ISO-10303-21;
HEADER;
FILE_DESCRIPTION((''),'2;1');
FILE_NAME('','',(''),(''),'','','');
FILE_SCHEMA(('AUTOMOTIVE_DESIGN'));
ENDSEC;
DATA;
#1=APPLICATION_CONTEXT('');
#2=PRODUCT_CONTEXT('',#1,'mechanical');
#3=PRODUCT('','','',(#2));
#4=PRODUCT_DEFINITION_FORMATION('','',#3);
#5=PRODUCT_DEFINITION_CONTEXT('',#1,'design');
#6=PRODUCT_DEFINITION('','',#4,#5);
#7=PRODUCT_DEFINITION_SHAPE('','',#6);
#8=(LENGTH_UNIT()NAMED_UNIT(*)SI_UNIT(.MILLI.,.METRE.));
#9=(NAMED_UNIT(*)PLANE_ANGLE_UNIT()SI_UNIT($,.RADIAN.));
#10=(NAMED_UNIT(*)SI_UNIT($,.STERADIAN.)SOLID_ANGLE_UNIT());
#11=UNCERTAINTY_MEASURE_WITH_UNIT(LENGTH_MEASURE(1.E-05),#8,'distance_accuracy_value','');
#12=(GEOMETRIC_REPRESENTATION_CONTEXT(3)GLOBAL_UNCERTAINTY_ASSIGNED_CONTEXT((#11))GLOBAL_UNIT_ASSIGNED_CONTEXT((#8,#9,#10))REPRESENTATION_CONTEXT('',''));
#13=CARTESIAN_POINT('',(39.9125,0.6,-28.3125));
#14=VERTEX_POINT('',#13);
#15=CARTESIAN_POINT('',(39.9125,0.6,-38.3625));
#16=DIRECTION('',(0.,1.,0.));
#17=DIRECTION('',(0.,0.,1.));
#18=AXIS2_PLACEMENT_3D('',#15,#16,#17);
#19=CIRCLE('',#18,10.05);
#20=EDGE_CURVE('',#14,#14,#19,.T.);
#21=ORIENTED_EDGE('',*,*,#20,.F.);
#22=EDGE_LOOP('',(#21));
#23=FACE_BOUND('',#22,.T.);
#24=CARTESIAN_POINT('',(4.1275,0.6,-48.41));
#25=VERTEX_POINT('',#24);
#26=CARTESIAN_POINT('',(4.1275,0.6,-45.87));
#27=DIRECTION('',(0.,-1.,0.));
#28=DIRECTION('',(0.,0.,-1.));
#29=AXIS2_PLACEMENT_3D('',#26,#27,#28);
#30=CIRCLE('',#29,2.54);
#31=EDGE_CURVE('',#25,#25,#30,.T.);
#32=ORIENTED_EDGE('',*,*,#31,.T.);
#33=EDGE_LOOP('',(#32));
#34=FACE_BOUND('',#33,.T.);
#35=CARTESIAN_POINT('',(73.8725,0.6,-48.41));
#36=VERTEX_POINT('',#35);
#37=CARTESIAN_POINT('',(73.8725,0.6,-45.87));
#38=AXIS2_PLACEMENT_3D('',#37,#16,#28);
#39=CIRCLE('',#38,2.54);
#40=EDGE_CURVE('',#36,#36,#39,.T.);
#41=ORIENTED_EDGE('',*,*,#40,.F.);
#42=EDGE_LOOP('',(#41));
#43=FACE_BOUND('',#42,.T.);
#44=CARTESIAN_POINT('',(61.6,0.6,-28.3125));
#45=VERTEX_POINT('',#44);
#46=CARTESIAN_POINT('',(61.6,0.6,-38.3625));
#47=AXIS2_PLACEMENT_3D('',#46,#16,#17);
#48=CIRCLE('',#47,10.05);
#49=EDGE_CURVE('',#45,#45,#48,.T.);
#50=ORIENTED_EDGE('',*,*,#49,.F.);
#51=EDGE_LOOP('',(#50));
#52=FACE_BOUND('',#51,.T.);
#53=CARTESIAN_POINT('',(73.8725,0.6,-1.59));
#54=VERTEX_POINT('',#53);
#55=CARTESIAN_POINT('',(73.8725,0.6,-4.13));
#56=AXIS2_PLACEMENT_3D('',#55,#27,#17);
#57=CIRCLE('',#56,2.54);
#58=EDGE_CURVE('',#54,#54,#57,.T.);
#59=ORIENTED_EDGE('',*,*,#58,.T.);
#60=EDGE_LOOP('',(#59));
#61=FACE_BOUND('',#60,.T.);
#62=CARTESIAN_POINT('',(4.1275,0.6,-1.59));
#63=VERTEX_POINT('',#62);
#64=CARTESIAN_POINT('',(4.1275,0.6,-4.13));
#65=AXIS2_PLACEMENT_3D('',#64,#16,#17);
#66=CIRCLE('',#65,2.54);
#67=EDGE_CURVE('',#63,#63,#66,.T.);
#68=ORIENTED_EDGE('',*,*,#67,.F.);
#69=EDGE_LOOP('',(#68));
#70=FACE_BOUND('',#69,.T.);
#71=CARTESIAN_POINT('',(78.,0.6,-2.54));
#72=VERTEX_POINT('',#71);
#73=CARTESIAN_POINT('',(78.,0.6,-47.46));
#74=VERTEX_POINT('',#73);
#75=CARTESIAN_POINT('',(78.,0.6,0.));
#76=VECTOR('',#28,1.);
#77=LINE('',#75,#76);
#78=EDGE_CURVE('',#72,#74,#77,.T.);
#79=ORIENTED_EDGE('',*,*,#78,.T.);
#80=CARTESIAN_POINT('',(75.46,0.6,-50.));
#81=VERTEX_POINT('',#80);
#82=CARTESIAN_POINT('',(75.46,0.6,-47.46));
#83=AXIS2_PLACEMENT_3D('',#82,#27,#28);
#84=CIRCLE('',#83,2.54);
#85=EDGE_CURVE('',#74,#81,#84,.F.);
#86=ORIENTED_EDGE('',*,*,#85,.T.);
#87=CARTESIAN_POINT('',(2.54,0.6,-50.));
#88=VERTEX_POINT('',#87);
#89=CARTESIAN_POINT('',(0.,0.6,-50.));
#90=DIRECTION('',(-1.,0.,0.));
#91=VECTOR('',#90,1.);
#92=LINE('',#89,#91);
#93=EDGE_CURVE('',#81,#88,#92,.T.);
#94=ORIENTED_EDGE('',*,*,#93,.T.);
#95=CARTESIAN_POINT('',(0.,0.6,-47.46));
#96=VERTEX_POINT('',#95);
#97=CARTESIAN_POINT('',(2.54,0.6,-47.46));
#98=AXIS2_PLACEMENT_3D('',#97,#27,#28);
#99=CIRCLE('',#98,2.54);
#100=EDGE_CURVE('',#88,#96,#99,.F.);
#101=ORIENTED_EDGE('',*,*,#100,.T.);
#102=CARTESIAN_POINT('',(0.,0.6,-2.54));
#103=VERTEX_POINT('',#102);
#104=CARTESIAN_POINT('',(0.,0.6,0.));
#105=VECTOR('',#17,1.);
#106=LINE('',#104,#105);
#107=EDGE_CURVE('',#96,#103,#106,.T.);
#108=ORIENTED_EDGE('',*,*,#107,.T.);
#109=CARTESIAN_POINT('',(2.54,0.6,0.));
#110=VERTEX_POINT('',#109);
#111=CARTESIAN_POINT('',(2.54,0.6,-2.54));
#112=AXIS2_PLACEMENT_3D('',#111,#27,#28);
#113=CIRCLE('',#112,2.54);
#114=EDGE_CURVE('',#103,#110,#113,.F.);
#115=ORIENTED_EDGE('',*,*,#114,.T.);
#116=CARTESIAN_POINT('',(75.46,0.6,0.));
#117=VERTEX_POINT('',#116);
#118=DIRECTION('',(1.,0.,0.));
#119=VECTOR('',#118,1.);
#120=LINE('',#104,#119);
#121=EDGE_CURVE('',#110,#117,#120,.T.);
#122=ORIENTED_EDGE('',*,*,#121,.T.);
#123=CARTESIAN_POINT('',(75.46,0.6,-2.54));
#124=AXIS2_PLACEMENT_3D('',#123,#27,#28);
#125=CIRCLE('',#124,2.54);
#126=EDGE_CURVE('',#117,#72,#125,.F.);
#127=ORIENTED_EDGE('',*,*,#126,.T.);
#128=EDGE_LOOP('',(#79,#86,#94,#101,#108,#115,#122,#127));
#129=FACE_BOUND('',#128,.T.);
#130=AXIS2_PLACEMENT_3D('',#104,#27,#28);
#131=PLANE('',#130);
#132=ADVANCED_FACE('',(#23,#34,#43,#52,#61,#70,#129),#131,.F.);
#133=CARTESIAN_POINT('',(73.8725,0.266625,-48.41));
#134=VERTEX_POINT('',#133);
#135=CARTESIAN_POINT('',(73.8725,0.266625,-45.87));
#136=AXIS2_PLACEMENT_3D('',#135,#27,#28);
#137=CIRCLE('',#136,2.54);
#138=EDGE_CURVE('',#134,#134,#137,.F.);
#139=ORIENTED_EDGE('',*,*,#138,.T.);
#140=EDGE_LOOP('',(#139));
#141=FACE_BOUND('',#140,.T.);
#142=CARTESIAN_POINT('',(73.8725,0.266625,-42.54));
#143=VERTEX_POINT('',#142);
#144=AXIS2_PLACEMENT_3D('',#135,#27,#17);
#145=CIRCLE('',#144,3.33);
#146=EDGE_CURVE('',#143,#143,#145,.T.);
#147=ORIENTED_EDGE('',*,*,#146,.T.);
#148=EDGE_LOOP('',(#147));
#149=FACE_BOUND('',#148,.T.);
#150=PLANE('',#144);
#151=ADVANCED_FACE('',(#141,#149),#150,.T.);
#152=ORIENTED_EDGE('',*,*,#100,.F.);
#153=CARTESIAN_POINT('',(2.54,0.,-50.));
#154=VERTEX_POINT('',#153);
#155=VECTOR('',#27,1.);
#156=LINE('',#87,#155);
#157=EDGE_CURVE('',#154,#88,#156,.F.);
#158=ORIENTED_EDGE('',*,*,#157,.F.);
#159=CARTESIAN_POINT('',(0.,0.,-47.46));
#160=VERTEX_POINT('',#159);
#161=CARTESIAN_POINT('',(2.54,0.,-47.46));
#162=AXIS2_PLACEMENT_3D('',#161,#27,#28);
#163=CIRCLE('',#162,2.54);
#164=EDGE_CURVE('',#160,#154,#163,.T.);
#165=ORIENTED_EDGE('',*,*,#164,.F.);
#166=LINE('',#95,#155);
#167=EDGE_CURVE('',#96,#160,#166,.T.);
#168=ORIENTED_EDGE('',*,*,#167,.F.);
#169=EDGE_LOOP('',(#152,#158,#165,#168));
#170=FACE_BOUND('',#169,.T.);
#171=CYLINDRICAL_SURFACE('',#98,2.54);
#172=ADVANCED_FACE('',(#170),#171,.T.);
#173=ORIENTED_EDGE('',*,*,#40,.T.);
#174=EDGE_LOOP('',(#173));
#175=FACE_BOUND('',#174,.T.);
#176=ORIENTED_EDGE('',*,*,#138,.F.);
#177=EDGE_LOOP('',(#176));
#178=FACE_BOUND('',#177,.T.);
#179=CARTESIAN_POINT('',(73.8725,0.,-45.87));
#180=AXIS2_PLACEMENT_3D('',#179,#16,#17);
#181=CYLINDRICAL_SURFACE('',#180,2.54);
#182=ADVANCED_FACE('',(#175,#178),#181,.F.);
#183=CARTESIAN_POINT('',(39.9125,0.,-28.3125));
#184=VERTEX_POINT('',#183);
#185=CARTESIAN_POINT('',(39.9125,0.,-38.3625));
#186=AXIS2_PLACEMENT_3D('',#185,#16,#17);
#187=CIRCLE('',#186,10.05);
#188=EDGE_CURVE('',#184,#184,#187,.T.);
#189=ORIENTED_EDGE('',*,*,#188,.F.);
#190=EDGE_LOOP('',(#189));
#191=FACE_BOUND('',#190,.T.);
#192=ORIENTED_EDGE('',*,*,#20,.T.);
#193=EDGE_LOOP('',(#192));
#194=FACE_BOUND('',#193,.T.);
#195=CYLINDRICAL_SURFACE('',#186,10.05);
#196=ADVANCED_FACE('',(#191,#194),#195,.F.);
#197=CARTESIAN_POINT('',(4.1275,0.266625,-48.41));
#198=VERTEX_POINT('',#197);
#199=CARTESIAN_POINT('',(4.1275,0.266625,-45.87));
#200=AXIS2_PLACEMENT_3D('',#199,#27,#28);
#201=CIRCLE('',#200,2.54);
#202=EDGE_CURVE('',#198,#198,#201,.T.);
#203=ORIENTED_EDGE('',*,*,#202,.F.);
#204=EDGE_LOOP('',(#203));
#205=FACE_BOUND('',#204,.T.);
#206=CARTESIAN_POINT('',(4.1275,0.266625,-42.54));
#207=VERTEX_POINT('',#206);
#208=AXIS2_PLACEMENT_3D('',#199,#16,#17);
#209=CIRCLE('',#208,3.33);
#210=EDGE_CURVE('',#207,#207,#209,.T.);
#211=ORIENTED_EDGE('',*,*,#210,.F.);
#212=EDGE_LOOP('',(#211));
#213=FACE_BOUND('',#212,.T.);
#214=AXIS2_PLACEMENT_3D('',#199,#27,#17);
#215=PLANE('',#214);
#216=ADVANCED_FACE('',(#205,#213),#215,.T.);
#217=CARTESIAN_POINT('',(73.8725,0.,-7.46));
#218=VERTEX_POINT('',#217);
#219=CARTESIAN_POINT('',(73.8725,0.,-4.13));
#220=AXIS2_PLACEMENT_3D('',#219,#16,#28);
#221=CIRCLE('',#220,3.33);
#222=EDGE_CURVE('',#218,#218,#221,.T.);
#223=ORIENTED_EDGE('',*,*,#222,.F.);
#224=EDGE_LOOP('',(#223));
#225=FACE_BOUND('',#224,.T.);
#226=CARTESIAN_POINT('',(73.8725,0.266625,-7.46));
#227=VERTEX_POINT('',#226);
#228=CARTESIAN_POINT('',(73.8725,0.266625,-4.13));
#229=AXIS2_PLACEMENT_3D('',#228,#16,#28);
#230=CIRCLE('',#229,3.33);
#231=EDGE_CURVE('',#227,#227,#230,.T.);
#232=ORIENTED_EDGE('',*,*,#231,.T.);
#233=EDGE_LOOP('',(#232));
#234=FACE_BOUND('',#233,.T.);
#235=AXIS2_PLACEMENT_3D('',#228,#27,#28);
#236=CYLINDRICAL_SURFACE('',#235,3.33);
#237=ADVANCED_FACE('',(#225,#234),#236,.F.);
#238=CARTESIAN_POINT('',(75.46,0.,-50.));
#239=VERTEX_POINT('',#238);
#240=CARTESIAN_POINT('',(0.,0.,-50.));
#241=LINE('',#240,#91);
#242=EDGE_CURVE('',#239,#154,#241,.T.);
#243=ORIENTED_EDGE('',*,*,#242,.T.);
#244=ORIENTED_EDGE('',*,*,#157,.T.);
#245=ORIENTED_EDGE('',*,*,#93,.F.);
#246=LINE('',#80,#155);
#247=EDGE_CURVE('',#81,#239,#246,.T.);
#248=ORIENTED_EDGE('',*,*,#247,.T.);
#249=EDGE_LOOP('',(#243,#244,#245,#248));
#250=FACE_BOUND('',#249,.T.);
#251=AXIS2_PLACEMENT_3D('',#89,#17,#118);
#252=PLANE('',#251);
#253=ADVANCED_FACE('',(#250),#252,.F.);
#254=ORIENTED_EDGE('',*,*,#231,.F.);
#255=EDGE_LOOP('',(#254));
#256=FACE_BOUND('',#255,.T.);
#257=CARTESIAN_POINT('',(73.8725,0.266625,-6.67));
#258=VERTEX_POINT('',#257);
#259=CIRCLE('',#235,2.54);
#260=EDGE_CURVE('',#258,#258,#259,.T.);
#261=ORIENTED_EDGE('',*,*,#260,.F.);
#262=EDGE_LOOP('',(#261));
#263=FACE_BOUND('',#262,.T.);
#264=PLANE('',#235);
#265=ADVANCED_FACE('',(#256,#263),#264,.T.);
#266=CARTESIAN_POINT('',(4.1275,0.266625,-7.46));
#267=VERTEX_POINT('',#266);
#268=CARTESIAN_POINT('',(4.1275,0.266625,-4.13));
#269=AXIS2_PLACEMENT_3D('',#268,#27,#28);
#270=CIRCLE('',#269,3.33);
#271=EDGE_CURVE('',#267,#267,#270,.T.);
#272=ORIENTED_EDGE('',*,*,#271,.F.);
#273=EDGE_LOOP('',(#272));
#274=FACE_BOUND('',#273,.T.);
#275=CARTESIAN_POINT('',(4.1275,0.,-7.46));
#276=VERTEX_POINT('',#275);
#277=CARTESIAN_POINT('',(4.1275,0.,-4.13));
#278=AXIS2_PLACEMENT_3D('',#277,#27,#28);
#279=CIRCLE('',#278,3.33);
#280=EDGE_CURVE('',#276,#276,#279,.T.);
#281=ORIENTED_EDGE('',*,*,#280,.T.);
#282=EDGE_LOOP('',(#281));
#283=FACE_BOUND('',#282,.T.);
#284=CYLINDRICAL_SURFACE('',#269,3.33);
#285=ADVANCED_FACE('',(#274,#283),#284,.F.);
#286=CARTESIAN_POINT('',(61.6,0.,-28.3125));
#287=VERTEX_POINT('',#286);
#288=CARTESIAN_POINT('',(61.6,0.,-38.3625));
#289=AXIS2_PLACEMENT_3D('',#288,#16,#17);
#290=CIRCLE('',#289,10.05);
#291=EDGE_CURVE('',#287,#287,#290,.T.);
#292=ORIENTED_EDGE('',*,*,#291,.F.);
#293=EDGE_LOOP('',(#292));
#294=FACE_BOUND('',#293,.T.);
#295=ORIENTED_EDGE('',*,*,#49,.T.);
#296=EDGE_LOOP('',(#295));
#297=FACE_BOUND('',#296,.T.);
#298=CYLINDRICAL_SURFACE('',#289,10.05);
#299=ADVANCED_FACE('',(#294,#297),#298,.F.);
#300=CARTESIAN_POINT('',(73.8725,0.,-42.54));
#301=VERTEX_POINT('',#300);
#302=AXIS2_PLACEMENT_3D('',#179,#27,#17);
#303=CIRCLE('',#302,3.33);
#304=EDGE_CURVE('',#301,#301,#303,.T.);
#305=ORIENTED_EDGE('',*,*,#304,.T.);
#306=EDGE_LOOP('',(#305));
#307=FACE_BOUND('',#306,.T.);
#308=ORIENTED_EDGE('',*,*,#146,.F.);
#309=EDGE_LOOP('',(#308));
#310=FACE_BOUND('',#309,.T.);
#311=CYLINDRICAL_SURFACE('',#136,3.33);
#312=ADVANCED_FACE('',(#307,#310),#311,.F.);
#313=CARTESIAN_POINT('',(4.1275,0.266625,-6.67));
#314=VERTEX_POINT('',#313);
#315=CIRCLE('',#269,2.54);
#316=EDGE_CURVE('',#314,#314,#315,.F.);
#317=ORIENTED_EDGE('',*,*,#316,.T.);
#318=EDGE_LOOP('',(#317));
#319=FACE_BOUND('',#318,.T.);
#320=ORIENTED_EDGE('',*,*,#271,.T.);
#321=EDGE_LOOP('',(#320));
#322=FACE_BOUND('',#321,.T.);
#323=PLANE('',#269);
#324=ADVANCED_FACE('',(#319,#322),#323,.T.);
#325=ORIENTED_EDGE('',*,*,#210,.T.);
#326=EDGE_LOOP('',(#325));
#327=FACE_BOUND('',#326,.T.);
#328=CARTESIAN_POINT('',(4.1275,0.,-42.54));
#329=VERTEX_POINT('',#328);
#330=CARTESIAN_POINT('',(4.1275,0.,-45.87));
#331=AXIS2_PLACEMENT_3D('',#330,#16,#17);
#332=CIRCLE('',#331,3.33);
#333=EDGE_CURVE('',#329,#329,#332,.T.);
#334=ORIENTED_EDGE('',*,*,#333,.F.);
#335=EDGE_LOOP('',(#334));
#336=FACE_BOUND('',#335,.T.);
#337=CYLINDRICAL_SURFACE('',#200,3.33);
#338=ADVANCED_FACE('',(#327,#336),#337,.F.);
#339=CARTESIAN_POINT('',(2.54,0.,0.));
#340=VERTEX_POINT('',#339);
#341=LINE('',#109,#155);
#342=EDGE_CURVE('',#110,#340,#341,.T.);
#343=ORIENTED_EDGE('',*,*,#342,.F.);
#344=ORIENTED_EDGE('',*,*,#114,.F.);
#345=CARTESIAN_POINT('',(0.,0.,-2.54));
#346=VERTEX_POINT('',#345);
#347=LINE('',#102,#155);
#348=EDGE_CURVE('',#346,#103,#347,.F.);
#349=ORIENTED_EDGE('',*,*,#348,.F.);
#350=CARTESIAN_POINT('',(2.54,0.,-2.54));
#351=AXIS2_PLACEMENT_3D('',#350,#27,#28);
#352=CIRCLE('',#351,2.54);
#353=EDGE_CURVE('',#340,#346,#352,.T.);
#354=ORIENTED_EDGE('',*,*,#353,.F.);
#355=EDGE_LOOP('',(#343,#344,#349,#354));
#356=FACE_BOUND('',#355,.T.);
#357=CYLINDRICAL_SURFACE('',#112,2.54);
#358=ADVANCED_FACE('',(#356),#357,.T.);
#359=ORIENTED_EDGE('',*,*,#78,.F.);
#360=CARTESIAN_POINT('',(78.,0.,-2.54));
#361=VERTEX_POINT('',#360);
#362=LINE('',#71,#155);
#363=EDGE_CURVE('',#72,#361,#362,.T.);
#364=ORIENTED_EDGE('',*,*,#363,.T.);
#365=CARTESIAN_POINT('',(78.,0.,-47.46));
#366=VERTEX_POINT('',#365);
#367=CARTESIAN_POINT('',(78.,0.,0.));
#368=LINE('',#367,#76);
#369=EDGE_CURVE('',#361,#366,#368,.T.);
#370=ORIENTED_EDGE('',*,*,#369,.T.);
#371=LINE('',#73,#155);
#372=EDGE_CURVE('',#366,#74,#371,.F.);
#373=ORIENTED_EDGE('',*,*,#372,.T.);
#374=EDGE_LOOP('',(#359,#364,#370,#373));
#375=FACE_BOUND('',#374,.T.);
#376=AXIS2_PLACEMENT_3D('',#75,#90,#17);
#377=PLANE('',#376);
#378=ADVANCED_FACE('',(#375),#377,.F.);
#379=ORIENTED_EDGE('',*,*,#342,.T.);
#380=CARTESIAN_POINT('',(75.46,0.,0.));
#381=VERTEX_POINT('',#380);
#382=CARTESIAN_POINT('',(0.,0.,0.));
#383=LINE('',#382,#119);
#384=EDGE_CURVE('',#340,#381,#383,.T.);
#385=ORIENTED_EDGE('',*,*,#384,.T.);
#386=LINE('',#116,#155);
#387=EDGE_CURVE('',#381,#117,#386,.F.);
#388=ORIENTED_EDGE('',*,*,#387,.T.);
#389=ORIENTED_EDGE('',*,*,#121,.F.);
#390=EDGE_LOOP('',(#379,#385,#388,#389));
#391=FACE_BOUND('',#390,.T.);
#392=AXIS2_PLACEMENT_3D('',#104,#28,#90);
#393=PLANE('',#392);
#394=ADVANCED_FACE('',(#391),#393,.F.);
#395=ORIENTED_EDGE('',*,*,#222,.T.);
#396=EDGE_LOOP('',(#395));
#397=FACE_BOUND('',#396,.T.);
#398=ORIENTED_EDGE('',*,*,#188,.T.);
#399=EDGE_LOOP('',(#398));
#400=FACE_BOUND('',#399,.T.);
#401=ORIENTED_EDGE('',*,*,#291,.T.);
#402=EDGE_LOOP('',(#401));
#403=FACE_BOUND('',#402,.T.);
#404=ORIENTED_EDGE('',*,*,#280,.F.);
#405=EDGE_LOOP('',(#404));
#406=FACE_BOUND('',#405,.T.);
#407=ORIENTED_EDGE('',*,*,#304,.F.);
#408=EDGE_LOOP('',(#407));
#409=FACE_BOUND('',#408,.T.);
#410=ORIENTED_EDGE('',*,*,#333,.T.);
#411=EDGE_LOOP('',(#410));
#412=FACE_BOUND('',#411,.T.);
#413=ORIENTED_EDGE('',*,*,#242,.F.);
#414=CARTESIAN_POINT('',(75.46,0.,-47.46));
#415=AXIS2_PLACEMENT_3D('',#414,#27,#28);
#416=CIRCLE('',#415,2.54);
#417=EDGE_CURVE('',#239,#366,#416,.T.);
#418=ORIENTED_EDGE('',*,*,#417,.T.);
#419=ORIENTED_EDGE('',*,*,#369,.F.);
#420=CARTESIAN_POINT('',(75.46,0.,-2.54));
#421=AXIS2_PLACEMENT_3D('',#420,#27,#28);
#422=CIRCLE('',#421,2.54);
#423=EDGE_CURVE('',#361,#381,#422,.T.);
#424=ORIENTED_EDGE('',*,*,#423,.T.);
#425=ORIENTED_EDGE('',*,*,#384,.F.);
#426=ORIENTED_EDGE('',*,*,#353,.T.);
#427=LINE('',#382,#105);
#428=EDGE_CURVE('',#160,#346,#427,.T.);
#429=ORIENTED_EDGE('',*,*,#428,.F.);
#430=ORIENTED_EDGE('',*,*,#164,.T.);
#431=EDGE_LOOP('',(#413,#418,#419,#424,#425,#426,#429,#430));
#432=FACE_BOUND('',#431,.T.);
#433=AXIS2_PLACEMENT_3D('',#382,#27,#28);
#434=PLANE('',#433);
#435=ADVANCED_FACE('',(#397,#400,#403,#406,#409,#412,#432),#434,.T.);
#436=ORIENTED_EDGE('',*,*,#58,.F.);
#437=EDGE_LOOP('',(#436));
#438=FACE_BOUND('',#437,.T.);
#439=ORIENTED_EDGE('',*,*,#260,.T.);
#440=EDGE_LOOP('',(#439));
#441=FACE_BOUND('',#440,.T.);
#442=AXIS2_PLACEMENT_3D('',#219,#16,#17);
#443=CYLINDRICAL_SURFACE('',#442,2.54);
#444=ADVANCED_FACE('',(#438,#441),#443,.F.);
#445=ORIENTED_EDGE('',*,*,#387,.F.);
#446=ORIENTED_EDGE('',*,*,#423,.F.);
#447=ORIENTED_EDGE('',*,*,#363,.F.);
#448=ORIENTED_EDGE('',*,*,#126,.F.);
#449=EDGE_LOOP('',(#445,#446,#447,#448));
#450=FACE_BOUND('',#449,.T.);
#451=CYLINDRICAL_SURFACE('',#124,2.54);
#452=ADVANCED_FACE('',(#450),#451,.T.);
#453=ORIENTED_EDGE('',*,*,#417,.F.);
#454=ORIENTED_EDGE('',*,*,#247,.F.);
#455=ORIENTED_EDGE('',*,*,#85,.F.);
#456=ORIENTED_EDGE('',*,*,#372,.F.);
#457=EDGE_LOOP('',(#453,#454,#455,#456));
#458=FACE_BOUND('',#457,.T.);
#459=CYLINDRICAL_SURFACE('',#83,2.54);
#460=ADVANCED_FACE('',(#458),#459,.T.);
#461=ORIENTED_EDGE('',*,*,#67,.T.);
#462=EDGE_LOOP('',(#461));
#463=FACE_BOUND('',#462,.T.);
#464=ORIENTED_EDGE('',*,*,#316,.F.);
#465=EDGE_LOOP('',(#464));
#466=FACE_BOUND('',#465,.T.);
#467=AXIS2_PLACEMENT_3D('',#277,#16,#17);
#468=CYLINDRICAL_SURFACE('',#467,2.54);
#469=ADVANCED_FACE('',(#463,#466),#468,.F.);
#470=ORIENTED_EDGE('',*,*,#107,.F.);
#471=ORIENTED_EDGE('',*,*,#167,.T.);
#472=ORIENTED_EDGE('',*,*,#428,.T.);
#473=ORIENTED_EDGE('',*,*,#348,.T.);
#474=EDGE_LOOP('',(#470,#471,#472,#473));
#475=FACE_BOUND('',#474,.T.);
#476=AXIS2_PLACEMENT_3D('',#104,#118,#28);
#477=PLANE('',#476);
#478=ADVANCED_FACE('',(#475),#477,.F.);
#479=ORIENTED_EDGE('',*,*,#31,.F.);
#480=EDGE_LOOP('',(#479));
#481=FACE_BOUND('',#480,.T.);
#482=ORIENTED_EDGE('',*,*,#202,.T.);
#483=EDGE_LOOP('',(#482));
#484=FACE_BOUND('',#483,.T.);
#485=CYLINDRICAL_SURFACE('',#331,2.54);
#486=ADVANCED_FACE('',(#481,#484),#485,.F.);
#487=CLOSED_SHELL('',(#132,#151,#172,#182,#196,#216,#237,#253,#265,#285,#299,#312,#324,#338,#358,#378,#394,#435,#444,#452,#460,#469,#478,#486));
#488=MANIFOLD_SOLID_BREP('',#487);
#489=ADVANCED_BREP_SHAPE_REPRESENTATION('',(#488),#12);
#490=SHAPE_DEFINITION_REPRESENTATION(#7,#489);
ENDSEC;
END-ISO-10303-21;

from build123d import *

# Parameters (mm, degrees)
SKETCH1_W               = 78
SKETCH1_H               = 50
PCB_DEPTH               = 0.6
CARD_EDGES_R            = 2.54
SKETCH4_R               = 2.54
MAGNET_HOLE_CUT_DEPTH   = 93.651821353
SKETCH8_R               = 3.33
STEEL_INLAY_CUT_DEPTH   = 0.266625
MIRROR2_COPY_1_SKETCH_R = 2.54
MIRROR2_COPY_1_DEPTH    = 93.651821353
MIRROR2_COPY_2_SKETCH_R = 3.33
MIRROR2_COPY_2_DEPTH    = 0.266625
SKETCH15_R              = 10.05
BATTERY_HOLES_DEPTH     = 93.651821353


with BuildPart() as part:
    # Sketch1 → pcb (new body)
    with BuildSketch(Plane(origin=(0, 0, 0), x_dir=(1, 0, 0), z_dir=(0, 1, 0))):
        with Locations((39, 25)):
            Rectangle(SKETCH1_W, SKETCH1_H)
    extrude(amount=PCB_DEPTH)

    # card edges
    card_edges_edges = [part.edges().sort_by_distance(p)[0] for p in [
        (0, 0.3, -50),
        (78, 0.3, -50),
        (78, 0.3, 0),
        (0, 0.3, 0),
    ]]
    fillet(card_edges_edges, radius=CARD_EDGES_R)

    # Sketch4 → magnet hole cut (cut, through all)
    with BuildSketch(Plane(origin=(0, 0.6, 0), x_dir=(1, 0, 0), z_dir=(0, 1, 0))):
        with Locations(Location((4.1275, 4.13, 0), (0, 0, 270))):
            Circle(SKETCH4_R)
    magnet_hole_cut = extrude(amount=-MAGNET_HOLE_CUT_DEPTH, mode=Mode.SUBTRACT)

    # Sketch8 → steel inlay cut (cut)
    with BuildSketch(Plane.XZ):
        with Locations(Location((4.1275, -4.13, 0), (0, 0, 270))):
            Circle(SKETCH8_R)
    steel_inlay_cut = extrude(amount=-STEEL_INLAY_CUT_DEPTH, mode=Mode.SUBTRACT)

    # Mirror1: magnet hole cut, steel inlay cut across plane
    add(magnet_hole_cut.mirror(Plane.XY.offset(-25)), mode=Mode.SUBTRACT)
    add(steel_inlay_cut.mirror(Plane.XY.offset(-25)), mode=Mode.SUBTRACT)

    # Mirror2: magnet hole cut, steel inlay cut across plane
    add(magnet_hole_cut.mirror(Plane(origin=(39, 0, 0), x_dir=(0, 0, 1), z_dir=(1, 0, 0))), mode=Mode.SUBTRACT)
    add(steel_inlay_cut.mirror(Plane(origin=(39, 0, 0), x_dir=(0, 0, 1), z_dir=(1, 0, 0))), mode=Mode.SUBTRACT)

    # Mirror2 copy 1 sketch → Mirror2 copy 1 (cut, through all)
    with BuildSketch(Plane(origin=(78, 0.6, -50), x_dir=(-1, 0, 0), z_dir=(0, 1, 0))):
        with Locations(Location((4.1275, 4.13, 0), (0, 0, 270))):
            Circle(MIRROR2_COPY_1_SKETCH_R)
    extrude(amount=-MIRROR2_COPY_1_DEPTH, mode=Mode.SUBTRACT)

    # Mirror2 copy 2 sketch → Mirror2 copy 2 (cut)
    with BuildSketch(Plane(origin=(78, 0, -50), x_dir=(-1, 0, 0), z_dir=(0, -1, 0))):
        with Locations(Location((4.1275, -4.13, 0), (0, 0, 270))):
            Circle(MIRROR2_COPY_2_SKETCH_R)
    extrude(amount=-MIRROR2_COPY_2_DEPTH, mode=Mode.SUBTRACT)

    # Sketch15 → battery_holes (cut, through all)
    with BuildSketch(Plane(origin=(0, 0.6, 0), x_dir=(1, 0, 0), z_dir=(0, 1, 0))):
        with Locations(Location((61.6, 38.3625, 0), (0, 0, 270))):
            Circle(SKETCH15_R)
        with Locations(Location((39.9125, 38.3625, 0), (0, 0, 270))):
            Circle(SKETCH15_R)
    extrude(amount=-BATTERY_HOLES_DEPTH, mode=Mode.SUBTRACT)


solid = part.part
